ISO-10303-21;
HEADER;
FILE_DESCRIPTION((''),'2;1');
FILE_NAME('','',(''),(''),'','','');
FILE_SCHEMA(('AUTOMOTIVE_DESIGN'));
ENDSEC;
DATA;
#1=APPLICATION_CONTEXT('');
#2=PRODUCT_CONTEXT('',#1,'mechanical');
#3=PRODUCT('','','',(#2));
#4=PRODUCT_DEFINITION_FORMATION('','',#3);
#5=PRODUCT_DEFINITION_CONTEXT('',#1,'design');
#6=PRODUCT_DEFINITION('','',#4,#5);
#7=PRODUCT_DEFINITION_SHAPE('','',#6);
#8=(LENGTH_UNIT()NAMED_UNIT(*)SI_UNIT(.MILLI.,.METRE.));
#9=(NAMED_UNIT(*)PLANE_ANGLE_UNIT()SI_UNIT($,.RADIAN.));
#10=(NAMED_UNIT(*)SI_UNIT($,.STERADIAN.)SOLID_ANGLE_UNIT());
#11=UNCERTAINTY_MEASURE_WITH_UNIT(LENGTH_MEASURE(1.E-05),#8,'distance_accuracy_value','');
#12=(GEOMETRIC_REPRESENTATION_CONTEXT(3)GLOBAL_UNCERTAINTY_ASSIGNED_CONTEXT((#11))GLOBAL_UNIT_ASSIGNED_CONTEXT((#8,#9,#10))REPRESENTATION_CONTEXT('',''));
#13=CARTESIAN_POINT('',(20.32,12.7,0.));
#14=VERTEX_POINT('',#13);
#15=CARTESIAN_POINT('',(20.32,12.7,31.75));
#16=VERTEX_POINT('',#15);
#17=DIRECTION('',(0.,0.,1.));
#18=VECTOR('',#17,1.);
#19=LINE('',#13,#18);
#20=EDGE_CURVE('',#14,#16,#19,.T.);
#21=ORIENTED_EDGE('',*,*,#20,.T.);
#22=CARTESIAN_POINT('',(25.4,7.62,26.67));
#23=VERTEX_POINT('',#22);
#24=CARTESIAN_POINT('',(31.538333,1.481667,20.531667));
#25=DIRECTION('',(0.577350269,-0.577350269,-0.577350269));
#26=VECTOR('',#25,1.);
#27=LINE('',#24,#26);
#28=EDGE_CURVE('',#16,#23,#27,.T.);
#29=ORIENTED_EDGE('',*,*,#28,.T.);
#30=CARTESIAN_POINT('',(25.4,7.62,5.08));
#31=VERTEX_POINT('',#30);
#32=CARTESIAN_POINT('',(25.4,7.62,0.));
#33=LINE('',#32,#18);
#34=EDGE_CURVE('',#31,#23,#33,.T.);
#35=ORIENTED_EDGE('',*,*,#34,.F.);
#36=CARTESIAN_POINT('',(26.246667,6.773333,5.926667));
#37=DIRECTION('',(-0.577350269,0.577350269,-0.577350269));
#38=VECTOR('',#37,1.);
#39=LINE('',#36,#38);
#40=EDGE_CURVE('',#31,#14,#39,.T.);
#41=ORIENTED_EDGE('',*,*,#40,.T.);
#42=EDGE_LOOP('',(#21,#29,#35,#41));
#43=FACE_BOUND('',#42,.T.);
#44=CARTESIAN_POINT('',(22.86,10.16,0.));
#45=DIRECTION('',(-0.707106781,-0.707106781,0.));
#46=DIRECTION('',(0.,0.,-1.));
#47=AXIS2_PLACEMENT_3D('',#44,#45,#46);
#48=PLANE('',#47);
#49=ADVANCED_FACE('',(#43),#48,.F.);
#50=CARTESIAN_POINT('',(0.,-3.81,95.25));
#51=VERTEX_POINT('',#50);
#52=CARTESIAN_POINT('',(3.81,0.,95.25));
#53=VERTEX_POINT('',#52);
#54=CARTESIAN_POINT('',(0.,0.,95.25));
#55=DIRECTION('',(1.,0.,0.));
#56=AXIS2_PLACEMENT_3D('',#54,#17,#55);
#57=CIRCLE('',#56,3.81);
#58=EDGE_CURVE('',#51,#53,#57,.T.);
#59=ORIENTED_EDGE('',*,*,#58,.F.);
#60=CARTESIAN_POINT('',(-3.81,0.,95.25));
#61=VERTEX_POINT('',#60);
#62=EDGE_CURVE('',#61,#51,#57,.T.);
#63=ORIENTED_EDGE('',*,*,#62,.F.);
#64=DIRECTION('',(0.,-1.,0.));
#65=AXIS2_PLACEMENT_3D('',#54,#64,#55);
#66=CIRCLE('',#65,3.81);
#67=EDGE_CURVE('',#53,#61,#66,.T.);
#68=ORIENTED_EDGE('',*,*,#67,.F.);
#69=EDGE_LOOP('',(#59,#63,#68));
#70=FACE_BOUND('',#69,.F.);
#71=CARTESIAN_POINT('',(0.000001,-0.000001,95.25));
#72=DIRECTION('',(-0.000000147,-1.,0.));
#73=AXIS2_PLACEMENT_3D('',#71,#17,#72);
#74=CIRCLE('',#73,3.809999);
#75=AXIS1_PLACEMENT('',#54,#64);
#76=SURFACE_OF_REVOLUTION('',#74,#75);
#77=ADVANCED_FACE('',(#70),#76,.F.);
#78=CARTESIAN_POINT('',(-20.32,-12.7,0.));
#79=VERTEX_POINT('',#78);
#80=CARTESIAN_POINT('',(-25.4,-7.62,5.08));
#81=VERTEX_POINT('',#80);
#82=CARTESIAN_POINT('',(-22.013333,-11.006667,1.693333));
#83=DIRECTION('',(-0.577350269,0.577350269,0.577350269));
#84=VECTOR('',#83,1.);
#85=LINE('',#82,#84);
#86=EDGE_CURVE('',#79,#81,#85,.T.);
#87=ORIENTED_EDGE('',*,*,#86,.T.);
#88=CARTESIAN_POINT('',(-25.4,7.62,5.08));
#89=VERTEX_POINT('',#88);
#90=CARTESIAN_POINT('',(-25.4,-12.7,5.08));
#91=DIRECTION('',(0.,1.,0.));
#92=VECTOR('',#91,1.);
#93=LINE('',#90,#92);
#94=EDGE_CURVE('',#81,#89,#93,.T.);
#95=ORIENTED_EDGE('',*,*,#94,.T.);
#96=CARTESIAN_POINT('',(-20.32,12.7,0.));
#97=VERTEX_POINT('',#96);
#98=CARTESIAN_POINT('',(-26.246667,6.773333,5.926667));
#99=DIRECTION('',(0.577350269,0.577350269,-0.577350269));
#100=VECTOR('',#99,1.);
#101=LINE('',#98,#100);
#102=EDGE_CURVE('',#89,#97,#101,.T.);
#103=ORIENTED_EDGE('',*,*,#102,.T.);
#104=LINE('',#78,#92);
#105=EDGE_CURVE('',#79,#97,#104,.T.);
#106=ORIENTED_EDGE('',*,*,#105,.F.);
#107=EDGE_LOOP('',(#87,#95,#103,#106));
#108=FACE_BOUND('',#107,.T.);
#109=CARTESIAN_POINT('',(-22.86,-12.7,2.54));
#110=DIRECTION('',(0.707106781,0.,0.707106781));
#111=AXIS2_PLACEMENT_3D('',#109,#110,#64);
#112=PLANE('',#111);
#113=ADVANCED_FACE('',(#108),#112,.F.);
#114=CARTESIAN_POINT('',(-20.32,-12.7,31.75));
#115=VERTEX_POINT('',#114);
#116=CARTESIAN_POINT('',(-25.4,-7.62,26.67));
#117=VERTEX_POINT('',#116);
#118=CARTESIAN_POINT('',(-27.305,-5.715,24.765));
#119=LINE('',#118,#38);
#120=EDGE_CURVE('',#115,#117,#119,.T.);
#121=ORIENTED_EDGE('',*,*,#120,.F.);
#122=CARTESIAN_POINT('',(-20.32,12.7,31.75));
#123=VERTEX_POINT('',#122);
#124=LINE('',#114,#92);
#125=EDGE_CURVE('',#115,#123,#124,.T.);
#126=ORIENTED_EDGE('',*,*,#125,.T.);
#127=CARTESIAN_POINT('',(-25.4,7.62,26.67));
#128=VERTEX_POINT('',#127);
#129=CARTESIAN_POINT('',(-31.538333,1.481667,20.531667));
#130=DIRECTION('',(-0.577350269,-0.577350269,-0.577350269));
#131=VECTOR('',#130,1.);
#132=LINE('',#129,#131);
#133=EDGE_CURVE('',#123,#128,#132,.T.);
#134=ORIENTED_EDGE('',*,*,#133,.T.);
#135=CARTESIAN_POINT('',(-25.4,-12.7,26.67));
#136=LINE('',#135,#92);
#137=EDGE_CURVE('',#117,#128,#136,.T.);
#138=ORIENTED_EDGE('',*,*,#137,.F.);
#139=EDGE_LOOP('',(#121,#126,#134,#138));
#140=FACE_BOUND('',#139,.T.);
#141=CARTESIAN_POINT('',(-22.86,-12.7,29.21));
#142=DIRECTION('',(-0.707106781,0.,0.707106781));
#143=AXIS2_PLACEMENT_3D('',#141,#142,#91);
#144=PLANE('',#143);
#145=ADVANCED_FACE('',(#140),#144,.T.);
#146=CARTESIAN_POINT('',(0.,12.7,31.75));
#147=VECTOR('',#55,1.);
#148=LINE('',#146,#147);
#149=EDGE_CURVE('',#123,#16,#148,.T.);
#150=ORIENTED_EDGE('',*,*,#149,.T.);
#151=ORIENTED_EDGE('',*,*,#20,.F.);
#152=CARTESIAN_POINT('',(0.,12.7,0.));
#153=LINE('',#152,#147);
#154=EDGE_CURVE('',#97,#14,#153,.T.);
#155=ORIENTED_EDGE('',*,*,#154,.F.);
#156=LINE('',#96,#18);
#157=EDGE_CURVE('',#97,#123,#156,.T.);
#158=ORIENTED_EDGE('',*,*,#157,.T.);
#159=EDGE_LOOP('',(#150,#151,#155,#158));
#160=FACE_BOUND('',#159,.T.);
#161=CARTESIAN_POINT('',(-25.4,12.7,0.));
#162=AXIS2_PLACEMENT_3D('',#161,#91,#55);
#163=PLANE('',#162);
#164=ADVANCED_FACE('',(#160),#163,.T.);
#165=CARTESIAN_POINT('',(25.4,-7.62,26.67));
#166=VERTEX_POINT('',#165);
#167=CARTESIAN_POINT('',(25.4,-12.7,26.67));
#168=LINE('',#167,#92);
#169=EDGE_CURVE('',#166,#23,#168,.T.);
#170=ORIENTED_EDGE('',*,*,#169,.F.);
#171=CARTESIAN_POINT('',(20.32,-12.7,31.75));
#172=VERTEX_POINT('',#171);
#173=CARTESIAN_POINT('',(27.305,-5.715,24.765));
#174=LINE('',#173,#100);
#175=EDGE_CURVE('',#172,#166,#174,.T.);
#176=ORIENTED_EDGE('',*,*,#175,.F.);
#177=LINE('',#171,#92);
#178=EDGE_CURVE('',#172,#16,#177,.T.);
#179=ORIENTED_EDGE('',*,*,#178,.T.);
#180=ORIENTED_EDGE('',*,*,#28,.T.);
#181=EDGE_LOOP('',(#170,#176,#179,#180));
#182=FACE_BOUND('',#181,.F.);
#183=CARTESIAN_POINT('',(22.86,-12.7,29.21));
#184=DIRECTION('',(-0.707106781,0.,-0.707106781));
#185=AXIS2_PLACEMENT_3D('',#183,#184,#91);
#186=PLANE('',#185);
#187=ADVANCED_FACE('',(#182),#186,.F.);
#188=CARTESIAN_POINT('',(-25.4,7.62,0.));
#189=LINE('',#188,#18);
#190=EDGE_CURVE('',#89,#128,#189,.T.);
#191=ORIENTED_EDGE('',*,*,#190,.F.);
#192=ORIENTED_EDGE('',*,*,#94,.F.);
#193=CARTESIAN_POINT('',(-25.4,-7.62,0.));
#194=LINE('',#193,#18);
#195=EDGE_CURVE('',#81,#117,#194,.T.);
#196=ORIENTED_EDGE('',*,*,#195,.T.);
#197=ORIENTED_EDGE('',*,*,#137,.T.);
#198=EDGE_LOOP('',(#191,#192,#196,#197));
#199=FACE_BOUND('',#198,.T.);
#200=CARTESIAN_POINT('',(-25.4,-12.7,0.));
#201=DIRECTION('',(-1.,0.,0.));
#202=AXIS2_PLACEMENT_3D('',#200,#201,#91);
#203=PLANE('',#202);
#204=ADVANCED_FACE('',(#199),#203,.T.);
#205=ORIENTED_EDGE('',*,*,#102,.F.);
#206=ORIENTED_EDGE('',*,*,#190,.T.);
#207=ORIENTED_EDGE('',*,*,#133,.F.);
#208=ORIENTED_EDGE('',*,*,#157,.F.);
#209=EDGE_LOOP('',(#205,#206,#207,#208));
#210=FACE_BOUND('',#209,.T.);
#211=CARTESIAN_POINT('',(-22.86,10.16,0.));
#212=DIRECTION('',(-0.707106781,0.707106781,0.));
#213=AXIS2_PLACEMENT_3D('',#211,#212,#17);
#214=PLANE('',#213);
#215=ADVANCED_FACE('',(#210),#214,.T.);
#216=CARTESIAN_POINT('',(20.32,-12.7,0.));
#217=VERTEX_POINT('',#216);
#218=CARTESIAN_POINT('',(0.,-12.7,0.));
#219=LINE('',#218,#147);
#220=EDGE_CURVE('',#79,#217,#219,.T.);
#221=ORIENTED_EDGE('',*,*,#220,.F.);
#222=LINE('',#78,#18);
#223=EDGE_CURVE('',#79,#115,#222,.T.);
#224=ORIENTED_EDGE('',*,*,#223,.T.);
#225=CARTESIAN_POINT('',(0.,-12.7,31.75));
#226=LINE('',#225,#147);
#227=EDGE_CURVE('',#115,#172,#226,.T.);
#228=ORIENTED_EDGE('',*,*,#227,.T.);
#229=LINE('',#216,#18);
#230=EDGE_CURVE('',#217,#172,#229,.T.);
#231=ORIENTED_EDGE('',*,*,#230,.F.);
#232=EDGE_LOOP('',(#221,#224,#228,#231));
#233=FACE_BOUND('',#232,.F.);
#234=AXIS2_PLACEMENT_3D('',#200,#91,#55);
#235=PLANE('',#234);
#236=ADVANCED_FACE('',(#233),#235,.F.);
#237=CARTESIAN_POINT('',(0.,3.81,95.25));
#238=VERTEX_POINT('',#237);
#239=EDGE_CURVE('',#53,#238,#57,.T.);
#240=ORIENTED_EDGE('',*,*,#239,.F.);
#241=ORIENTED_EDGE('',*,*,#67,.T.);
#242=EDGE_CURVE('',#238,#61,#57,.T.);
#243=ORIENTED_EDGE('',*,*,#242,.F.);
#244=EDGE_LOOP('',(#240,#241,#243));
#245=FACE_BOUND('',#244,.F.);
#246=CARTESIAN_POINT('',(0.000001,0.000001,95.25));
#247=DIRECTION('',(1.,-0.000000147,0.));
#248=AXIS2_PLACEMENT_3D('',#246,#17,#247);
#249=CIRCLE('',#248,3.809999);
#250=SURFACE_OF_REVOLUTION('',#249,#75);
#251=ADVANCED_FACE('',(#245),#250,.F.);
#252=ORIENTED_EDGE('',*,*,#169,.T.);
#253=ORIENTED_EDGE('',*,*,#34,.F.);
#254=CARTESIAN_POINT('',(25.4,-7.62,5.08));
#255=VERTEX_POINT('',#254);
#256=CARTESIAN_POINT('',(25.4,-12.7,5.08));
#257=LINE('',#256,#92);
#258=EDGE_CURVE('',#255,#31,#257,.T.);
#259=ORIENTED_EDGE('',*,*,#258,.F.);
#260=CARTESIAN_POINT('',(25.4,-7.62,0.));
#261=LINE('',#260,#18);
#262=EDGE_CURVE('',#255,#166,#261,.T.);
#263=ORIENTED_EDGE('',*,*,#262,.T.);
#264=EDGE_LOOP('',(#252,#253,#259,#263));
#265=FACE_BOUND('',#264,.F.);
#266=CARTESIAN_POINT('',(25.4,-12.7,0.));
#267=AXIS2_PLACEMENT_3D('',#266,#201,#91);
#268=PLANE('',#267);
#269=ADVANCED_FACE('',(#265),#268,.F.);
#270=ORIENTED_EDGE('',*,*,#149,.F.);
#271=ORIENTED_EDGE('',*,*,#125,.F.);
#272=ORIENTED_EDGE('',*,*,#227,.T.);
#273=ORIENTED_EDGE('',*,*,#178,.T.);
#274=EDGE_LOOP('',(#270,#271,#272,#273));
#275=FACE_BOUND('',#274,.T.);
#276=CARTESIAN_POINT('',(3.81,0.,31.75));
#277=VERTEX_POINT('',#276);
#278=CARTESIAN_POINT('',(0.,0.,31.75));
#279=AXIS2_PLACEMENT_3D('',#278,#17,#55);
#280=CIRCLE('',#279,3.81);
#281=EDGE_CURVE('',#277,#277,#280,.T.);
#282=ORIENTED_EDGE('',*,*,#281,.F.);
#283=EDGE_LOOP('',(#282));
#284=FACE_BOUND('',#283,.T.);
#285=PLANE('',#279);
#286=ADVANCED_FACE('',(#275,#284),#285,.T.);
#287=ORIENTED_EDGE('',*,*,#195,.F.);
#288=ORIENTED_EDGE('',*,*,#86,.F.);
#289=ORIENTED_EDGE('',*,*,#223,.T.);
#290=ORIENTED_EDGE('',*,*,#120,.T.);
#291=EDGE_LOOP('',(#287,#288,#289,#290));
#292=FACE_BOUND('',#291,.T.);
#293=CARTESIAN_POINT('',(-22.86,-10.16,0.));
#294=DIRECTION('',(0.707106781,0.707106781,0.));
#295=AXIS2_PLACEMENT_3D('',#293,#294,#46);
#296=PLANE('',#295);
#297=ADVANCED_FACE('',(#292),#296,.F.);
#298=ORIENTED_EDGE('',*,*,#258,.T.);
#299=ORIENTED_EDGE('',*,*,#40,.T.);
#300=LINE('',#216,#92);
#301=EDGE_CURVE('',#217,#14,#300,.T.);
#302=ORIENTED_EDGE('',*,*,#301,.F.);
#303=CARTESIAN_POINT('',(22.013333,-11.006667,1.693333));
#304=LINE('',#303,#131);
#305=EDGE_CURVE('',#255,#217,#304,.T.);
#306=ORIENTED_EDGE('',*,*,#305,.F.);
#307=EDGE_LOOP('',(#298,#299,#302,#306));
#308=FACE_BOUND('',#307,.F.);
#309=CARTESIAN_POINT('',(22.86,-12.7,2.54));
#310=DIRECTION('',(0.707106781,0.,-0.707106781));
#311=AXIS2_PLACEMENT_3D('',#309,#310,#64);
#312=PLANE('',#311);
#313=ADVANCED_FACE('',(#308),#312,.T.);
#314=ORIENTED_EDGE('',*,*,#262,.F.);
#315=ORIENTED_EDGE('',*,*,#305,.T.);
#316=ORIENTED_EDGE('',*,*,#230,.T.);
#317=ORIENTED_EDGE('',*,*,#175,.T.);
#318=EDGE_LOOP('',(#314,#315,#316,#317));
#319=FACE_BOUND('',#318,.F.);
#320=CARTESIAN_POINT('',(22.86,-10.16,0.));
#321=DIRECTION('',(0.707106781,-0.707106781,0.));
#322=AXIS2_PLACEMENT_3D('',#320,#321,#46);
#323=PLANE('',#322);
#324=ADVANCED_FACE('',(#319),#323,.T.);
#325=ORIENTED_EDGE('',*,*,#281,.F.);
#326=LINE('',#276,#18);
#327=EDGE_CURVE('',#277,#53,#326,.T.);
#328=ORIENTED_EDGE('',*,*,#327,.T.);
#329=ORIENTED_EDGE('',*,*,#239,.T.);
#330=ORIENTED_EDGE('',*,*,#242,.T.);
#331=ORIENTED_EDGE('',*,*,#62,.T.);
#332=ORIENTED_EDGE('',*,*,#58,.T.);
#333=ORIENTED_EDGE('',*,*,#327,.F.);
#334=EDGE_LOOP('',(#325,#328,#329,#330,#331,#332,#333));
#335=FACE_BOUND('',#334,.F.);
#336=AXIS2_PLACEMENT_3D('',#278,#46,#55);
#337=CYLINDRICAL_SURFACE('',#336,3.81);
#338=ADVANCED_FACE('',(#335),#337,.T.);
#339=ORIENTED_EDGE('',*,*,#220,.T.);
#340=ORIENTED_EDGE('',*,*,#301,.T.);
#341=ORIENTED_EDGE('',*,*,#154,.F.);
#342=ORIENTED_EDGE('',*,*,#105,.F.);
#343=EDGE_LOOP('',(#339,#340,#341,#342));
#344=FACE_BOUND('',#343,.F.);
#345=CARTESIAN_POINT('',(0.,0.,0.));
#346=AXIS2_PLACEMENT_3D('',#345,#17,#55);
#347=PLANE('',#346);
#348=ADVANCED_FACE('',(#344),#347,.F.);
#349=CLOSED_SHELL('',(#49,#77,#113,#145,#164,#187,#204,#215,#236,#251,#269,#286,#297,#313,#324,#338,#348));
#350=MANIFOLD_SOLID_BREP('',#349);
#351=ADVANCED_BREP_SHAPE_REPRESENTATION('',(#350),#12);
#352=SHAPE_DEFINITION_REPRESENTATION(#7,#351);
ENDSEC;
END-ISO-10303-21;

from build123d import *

# Parameters (mm, degrees)
F0_W     = 50.8
F0_H     = 25.4
F1_DEPTH = 31.75
F2_R     = 3.81
F3_DEPTH = 63.5
F6_SIZE  = 5.08
F7_SIZE  = 5.08


with BuildPart() as f1:
    # F0 (on Top) → F1 (new body)
    with BuildSketch(Plane.XY):
        Rectangle(F0_W, F0_H)
    extrude(amount=F1_DEPTH)

    # F2 (on face) → F3 (join)
    with BuildSketch(Plane.XY.offset(31.75)):
        Circle(F2_R)
    extrude(amount=F3_DEPTH)

    # F4 (on face) → F5 (revolve)
    with BuildSketch(Plane.XY.offset(95.25)):
        with BuildLine():
            Line((0, 3.81), (0, -3.81))
            ThreePointArc((0, -3.81), (2.694077, -2.694077), (3.81, 0))
            ThreePointArc((3.81, 0), (2.694077, 2.694077), (0, 3.81))
        make_face()
    revolve(axis=Axis((0, 0, 95.25), (0, -1, 0)))

    # F6
    f6_edges = [f1.edges().sort_by_distance(p)[0] for p in [
        (25.4, 0, 0),
        (25.4, 12.7, 15.875),
        (25.4, 0, 31.75),
        (25.4, -12.7, 15.875),
    ]]
    chamfer(f6_edges, length=F6_SIZE)

    # F7
    f7_edges = [f1.edges().sort_by_distance(p)[0] for p in [
        (-25.4, 0, 31.75),
        (-25.4, 12.7, 15.875),
        (-25.4, -12.7, 15.875),
        (-25.4, 0, 0),
    ]]
    chamfer(f7_edges, length=F7_SIZE)


solid = f1.part
